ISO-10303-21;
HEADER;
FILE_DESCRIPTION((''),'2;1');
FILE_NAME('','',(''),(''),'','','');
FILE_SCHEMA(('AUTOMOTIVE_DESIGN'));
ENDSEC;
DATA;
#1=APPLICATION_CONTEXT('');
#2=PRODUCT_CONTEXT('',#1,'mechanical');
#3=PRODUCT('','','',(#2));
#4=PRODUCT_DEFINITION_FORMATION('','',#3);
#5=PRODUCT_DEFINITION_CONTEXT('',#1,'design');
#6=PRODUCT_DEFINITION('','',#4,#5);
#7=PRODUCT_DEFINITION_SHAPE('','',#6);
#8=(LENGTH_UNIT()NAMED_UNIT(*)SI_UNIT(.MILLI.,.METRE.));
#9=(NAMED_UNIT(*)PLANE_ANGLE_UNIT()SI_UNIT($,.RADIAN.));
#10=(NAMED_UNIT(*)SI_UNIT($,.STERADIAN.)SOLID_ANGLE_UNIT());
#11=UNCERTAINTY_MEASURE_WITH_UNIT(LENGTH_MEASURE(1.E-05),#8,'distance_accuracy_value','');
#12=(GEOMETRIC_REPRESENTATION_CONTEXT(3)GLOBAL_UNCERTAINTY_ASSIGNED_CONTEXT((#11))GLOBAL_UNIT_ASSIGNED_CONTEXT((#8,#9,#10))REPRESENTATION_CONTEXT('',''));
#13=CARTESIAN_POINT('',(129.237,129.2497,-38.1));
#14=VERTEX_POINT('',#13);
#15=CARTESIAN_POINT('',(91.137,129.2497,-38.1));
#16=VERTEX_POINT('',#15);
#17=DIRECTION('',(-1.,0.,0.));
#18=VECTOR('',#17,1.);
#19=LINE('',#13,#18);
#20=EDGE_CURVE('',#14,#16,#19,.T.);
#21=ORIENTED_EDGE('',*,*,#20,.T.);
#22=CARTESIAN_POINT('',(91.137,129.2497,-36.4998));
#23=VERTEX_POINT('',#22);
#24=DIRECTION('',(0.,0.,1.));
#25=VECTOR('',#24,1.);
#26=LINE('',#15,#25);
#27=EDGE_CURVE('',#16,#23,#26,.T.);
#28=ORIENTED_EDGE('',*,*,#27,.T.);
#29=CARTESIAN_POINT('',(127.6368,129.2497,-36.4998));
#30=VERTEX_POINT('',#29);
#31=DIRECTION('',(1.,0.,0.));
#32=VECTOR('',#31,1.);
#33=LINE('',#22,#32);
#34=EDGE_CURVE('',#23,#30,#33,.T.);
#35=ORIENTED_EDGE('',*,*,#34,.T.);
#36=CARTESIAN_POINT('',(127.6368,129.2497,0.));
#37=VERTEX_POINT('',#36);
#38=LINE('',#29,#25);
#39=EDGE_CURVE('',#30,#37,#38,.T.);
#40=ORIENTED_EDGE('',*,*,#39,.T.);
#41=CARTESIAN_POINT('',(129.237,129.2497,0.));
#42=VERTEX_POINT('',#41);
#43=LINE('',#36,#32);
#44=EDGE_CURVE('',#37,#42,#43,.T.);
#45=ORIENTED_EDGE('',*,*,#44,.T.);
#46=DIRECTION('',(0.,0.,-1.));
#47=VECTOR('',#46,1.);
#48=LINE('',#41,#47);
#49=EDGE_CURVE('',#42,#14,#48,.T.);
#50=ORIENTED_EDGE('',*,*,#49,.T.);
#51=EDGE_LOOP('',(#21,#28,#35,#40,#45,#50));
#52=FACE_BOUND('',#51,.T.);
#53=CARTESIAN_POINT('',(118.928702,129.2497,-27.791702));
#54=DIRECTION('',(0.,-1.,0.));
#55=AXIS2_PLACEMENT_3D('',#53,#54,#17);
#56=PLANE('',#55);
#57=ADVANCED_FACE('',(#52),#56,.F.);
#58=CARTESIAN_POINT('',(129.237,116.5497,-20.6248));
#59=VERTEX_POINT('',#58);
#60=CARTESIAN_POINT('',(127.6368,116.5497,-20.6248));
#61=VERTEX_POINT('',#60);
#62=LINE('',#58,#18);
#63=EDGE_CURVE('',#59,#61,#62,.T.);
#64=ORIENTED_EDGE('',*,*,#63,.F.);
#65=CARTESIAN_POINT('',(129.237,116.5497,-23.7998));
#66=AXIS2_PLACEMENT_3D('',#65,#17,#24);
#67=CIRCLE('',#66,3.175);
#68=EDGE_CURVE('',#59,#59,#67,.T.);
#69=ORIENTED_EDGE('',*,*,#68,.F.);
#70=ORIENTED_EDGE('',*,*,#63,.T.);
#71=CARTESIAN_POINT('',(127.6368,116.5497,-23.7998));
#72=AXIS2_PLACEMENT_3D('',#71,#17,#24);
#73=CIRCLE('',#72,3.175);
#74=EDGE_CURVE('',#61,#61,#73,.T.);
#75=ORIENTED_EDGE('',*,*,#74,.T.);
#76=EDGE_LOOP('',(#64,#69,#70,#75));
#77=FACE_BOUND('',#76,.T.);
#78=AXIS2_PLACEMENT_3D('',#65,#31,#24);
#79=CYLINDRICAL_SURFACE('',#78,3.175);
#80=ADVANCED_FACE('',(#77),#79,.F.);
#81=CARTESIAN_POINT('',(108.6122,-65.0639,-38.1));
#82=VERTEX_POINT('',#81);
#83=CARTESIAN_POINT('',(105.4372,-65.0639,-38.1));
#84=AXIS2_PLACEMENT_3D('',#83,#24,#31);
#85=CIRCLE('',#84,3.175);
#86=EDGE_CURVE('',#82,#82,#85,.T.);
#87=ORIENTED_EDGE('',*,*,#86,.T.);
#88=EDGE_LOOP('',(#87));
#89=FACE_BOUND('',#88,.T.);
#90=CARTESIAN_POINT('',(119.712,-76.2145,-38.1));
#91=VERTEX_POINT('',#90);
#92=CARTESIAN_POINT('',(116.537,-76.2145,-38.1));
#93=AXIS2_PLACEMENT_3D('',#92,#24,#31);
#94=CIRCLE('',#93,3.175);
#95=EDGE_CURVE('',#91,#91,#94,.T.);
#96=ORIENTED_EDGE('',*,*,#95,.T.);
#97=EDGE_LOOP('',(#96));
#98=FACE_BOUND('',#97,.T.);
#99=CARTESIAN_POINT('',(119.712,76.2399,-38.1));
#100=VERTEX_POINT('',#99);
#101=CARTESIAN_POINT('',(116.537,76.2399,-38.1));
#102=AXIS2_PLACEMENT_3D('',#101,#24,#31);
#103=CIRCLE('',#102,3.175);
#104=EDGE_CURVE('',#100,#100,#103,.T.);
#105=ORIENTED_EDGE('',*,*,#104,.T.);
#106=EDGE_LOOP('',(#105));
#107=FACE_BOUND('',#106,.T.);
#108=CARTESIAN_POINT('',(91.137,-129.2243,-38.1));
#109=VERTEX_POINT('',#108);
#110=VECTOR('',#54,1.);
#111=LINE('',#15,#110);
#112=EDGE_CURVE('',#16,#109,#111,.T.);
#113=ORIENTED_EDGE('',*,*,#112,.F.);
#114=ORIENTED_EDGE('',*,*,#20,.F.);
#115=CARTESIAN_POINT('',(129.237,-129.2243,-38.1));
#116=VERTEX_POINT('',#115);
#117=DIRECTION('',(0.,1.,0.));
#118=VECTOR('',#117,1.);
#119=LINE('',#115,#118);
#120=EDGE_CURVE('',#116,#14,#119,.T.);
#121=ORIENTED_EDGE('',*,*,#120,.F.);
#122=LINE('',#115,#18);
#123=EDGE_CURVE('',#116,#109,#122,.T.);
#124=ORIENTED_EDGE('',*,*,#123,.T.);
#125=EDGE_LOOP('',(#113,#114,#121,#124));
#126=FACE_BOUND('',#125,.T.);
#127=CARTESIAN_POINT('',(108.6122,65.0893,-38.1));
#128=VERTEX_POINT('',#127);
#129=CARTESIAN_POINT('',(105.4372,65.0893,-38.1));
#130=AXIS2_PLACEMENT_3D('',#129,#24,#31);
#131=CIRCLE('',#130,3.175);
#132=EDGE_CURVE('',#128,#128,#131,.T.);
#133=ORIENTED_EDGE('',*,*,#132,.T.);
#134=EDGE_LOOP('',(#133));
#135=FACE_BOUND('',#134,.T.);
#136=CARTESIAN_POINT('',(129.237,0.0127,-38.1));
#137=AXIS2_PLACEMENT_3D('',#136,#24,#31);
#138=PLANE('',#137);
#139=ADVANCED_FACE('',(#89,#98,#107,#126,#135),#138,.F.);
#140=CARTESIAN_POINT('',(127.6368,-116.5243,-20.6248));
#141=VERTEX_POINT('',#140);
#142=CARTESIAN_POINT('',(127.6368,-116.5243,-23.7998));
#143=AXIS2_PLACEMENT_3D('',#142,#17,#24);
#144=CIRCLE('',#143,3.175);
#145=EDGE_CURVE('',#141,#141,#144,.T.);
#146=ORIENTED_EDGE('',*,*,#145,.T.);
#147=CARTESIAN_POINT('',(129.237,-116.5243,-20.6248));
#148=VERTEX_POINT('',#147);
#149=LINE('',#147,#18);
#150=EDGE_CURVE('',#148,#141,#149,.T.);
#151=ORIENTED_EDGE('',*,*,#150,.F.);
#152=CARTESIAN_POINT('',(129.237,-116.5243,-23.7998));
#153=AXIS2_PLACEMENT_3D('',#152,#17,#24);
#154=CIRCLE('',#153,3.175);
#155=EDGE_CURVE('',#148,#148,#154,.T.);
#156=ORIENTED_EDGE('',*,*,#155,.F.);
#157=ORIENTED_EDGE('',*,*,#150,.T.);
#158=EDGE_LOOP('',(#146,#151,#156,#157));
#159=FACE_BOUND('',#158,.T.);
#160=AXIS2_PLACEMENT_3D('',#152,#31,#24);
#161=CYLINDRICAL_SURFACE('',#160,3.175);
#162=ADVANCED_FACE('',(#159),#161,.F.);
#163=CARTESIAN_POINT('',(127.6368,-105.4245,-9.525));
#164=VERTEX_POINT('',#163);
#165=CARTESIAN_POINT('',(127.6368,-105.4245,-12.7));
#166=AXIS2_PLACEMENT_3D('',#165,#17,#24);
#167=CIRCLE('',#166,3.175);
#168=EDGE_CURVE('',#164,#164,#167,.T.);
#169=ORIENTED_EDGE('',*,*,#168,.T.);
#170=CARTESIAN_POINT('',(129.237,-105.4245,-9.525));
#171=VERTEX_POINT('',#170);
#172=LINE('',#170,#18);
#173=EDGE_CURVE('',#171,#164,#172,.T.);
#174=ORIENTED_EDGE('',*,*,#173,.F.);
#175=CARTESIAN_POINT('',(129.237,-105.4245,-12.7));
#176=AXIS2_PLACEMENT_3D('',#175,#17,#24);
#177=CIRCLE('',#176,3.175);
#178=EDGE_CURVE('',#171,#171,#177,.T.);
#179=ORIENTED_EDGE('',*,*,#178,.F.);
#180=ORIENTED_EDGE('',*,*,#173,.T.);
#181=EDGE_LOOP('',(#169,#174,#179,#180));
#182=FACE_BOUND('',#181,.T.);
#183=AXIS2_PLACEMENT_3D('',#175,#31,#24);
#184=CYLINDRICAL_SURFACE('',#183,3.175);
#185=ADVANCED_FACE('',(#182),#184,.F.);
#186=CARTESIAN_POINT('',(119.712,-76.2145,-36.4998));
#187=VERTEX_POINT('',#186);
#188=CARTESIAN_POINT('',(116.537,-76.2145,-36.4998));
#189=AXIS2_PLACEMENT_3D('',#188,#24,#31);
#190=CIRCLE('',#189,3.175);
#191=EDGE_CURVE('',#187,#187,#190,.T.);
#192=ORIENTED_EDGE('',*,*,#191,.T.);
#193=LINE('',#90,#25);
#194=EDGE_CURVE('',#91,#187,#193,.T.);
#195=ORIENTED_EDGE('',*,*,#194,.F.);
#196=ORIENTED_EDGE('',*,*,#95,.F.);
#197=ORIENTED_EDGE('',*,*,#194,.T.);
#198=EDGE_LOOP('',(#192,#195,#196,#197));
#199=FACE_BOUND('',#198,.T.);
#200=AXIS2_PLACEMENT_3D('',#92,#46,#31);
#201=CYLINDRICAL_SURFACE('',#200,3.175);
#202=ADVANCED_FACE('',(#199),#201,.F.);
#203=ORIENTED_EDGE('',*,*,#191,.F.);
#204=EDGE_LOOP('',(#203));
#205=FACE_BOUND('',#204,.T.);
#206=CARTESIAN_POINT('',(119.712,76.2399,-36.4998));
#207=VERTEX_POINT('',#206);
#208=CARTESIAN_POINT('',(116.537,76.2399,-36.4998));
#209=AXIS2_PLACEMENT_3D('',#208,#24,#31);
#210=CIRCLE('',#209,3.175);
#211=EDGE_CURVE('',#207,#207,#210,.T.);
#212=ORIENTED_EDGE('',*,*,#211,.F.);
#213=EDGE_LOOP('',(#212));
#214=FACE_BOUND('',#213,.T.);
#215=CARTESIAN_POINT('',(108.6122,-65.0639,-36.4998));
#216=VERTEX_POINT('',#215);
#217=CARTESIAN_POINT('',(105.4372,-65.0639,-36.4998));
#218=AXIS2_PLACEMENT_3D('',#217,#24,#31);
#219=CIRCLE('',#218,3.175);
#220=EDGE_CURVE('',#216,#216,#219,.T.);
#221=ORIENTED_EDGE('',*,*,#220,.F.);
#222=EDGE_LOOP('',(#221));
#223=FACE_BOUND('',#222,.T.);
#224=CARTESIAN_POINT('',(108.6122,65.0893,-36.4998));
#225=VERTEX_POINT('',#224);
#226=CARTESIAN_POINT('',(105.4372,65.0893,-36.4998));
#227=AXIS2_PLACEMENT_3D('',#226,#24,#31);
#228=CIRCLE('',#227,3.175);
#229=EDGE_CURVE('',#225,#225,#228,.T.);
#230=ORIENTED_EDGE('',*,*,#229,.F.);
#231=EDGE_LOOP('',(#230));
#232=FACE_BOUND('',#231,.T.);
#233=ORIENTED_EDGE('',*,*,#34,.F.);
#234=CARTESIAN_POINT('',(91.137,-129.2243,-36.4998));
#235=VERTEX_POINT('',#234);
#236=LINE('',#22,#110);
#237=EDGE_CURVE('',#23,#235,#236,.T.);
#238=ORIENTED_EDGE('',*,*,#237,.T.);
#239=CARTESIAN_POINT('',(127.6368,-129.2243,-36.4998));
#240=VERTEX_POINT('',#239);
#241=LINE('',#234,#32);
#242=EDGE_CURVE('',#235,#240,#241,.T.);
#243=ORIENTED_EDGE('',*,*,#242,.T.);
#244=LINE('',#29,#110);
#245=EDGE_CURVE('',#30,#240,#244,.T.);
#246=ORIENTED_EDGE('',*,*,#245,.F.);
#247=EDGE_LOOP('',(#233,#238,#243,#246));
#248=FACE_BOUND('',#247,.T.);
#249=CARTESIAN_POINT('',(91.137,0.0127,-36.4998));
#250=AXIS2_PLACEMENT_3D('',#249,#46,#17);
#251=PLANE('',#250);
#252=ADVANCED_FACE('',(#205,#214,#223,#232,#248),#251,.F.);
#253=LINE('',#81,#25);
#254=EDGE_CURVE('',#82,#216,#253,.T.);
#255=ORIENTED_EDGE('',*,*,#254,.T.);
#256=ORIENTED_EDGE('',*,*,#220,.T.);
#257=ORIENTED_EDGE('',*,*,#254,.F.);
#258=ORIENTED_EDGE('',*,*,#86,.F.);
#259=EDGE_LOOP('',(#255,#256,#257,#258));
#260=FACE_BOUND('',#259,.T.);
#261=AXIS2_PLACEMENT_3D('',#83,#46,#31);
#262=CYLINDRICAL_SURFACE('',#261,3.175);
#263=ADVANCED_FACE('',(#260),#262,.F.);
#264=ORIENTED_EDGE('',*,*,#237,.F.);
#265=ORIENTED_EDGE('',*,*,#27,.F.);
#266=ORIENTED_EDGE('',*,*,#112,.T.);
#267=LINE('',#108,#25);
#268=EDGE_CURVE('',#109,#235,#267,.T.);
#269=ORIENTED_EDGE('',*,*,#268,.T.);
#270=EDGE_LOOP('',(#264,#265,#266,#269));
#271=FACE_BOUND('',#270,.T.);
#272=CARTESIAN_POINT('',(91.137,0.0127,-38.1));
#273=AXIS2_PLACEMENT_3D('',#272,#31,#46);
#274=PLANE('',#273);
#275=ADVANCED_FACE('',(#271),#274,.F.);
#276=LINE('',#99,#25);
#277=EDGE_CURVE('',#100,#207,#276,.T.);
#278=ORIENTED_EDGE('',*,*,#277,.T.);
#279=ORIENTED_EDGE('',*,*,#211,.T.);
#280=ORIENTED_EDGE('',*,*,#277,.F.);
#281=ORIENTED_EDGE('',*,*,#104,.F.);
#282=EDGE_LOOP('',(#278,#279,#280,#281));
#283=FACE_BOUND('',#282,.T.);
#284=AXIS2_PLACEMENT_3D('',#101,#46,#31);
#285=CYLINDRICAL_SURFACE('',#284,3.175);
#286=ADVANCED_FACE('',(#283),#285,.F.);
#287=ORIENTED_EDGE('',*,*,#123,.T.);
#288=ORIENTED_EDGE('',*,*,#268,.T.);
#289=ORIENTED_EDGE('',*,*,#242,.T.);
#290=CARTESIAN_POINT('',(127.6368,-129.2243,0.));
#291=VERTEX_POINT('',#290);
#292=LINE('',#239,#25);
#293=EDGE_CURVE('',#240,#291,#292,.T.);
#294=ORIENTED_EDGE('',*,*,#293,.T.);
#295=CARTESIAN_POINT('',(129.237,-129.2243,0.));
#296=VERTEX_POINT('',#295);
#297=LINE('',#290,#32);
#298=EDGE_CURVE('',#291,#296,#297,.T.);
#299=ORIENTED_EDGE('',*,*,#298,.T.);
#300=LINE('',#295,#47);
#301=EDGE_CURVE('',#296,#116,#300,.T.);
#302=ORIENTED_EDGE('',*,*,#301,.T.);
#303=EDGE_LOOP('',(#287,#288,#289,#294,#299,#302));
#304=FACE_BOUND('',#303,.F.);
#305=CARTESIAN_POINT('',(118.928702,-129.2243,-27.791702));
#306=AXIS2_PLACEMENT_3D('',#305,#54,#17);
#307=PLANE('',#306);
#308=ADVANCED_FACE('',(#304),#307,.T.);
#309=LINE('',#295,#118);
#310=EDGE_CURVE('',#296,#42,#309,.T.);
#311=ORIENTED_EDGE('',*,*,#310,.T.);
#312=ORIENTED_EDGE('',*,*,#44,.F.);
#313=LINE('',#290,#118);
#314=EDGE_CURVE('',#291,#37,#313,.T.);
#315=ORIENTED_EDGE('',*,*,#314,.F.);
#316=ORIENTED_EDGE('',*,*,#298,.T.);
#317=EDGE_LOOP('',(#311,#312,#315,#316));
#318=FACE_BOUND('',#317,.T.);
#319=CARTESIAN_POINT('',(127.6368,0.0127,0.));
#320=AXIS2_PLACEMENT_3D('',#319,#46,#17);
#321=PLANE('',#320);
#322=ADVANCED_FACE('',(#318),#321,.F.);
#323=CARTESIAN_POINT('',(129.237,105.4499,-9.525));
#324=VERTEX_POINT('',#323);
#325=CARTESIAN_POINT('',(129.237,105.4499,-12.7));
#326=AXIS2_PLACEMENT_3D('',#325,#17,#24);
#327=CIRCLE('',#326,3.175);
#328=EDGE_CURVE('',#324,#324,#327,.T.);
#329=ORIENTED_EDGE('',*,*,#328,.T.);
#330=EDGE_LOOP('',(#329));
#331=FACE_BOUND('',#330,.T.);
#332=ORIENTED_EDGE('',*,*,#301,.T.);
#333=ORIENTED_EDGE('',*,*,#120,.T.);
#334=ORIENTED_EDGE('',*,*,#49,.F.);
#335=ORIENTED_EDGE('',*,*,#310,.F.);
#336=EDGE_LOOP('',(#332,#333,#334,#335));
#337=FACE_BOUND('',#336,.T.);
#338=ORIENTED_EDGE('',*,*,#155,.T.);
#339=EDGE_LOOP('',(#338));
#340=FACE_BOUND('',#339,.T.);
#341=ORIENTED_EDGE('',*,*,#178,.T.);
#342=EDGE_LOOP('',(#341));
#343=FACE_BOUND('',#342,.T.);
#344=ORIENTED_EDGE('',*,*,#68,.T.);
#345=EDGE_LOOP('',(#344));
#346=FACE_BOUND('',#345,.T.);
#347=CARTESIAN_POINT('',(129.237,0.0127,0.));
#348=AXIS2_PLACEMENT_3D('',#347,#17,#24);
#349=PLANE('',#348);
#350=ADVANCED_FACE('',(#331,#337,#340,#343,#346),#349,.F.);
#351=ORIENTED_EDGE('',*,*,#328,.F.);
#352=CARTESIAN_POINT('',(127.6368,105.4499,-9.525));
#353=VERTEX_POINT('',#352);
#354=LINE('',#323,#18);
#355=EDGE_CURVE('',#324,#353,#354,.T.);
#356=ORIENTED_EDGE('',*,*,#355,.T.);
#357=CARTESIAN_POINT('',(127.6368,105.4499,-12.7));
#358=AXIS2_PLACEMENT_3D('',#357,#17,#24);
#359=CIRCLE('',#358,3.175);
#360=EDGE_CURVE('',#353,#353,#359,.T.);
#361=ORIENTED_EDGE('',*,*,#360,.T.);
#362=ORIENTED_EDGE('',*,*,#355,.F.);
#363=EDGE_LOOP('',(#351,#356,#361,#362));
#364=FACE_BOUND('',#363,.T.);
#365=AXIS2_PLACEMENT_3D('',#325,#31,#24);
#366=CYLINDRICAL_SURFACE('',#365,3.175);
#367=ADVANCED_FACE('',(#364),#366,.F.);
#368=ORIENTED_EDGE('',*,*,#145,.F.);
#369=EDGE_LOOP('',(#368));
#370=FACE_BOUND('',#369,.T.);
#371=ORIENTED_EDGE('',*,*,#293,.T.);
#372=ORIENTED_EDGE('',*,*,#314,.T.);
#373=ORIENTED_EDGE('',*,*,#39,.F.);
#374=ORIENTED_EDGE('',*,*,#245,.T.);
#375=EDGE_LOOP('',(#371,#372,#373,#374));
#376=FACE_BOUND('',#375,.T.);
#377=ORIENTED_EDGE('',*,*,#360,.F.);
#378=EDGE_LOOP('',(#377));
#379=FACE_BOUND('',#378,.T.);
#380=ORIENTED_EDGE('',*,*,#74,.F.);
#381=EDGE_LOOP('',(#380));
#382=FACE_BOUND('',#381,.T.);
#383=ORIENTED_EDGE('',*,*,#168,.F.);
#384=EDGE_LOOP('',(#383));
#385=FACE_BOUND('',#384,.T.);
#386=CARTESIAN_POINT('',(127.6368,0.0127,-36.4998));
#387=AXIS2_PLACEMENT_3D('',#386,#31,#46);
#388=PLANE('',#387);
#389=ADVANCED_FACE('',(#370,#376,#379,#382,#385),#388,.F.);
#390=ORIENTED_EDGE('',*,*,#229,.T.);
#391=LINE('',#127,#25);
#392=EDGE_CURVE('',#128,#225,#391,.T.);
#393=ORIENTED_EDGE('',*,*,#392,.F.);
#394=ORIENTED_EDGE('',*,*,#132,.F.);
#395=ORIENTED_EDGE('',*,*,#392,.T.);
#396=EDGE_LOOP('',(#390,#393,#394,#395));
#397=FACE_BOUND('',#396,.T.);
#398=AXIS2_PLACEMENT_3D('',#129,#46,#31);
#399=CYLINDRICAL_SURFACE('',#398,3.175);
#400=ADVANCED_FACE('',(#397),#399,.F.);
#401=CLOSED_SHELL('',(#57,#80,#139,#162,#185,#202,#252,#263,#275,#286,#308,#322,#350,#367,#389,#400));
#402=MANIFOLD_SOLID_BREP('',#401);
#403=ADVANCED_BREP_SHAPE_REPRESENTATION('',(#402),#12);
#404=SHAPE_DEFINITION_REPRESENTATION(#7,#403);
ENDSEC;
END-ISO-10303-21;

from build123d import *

# Parameters (mm, degrees)
PAD001_DEPTH      = 129.237
PAD001_DEPTH_BACK = 129.237
SKETCH005_R       = 3.175
POCKET002_DEPTH   = 1.6002
SKETCH010_R       = 3.175
POCKET003_DEPTH   = 1.6002


with BuildPart() as pocket003:
    # Sketch003 → Pad001 (new body, two sides)
    with BuildSketch(Plane(origin=(-129.237, 0, -38.1), x_dir=(1, 0, 0), z_dir=(0, 1, 0))) as pad001_sk:
        Polygon((0, 0), (38.1, 0), (38.1, -1.6002), (1.6002, -1.6002), (1.6002, -38.1), (0, -38.1), align=None)
    extrude(amount=PAD001_DEPTH)
    extrude(pad001_sk.sketch, amount=-PAD001_DEPTH_BACK)

    # Sketch005 → Pocket002 (cut)
    with BuildSketch(Plane(origin=(-129.237, 0, -38.1), x_dir=(0, 0, 1), z_dir=(-1, 0, 0))):
        with Locations((25.4, 105.4372)):
            Circle(SKETCH005_R)
        with Locations((14.3002, 116.537)):
            Circle(SKETCH005_R)
        with Locations((25.4, -105.4372)):
            Circle(SKETCH005_R)
        with Locations((14.3002, -116.537)):
            Circle(SKETCH005_R)
    extrude(amount=-POCKET002_DEPTH, mode=Mode.SUBTRACT)

    # Sketch010 → Pocket003 (cut)
    with BuildSketch(Plane(origin=(-129.237, 0, -38.1), x_dir=(-1, 0, 0), z_dir=(0, 0, -1))):
        with Locations((-23.7998, -65.0766)):
            Circle(SKETCH010_R)
        with Locations((-12.7, -76.2272)):
            Circle(SKETCH010_R)
        with Locations((-23.7998, 65.0766)):
            Circle(SKETCH010_R)
        with Locations((-12.7, 76.2272)):
            Circle(SKETCH010_R)
    extrude(amount=-POCKET003_DEPTH, mode=Mode.SUBTRACT)


with BuildPart() as part_mirroring:
    # Part__Mirroring: instance of Pocket003
    add(pocket003.part.mirror(Plane(origin=(0, 0, 0), x_dir=(0, -1, 0), z_dir=(1, 0, 0))))


with BuildPart() as part_mirroring_1:
    # Part__Mirroring placement: moved
    add(part_mirroring.part.moved(Location((0, 0.0127, 0))))


solid = part_mirroring_1.part
